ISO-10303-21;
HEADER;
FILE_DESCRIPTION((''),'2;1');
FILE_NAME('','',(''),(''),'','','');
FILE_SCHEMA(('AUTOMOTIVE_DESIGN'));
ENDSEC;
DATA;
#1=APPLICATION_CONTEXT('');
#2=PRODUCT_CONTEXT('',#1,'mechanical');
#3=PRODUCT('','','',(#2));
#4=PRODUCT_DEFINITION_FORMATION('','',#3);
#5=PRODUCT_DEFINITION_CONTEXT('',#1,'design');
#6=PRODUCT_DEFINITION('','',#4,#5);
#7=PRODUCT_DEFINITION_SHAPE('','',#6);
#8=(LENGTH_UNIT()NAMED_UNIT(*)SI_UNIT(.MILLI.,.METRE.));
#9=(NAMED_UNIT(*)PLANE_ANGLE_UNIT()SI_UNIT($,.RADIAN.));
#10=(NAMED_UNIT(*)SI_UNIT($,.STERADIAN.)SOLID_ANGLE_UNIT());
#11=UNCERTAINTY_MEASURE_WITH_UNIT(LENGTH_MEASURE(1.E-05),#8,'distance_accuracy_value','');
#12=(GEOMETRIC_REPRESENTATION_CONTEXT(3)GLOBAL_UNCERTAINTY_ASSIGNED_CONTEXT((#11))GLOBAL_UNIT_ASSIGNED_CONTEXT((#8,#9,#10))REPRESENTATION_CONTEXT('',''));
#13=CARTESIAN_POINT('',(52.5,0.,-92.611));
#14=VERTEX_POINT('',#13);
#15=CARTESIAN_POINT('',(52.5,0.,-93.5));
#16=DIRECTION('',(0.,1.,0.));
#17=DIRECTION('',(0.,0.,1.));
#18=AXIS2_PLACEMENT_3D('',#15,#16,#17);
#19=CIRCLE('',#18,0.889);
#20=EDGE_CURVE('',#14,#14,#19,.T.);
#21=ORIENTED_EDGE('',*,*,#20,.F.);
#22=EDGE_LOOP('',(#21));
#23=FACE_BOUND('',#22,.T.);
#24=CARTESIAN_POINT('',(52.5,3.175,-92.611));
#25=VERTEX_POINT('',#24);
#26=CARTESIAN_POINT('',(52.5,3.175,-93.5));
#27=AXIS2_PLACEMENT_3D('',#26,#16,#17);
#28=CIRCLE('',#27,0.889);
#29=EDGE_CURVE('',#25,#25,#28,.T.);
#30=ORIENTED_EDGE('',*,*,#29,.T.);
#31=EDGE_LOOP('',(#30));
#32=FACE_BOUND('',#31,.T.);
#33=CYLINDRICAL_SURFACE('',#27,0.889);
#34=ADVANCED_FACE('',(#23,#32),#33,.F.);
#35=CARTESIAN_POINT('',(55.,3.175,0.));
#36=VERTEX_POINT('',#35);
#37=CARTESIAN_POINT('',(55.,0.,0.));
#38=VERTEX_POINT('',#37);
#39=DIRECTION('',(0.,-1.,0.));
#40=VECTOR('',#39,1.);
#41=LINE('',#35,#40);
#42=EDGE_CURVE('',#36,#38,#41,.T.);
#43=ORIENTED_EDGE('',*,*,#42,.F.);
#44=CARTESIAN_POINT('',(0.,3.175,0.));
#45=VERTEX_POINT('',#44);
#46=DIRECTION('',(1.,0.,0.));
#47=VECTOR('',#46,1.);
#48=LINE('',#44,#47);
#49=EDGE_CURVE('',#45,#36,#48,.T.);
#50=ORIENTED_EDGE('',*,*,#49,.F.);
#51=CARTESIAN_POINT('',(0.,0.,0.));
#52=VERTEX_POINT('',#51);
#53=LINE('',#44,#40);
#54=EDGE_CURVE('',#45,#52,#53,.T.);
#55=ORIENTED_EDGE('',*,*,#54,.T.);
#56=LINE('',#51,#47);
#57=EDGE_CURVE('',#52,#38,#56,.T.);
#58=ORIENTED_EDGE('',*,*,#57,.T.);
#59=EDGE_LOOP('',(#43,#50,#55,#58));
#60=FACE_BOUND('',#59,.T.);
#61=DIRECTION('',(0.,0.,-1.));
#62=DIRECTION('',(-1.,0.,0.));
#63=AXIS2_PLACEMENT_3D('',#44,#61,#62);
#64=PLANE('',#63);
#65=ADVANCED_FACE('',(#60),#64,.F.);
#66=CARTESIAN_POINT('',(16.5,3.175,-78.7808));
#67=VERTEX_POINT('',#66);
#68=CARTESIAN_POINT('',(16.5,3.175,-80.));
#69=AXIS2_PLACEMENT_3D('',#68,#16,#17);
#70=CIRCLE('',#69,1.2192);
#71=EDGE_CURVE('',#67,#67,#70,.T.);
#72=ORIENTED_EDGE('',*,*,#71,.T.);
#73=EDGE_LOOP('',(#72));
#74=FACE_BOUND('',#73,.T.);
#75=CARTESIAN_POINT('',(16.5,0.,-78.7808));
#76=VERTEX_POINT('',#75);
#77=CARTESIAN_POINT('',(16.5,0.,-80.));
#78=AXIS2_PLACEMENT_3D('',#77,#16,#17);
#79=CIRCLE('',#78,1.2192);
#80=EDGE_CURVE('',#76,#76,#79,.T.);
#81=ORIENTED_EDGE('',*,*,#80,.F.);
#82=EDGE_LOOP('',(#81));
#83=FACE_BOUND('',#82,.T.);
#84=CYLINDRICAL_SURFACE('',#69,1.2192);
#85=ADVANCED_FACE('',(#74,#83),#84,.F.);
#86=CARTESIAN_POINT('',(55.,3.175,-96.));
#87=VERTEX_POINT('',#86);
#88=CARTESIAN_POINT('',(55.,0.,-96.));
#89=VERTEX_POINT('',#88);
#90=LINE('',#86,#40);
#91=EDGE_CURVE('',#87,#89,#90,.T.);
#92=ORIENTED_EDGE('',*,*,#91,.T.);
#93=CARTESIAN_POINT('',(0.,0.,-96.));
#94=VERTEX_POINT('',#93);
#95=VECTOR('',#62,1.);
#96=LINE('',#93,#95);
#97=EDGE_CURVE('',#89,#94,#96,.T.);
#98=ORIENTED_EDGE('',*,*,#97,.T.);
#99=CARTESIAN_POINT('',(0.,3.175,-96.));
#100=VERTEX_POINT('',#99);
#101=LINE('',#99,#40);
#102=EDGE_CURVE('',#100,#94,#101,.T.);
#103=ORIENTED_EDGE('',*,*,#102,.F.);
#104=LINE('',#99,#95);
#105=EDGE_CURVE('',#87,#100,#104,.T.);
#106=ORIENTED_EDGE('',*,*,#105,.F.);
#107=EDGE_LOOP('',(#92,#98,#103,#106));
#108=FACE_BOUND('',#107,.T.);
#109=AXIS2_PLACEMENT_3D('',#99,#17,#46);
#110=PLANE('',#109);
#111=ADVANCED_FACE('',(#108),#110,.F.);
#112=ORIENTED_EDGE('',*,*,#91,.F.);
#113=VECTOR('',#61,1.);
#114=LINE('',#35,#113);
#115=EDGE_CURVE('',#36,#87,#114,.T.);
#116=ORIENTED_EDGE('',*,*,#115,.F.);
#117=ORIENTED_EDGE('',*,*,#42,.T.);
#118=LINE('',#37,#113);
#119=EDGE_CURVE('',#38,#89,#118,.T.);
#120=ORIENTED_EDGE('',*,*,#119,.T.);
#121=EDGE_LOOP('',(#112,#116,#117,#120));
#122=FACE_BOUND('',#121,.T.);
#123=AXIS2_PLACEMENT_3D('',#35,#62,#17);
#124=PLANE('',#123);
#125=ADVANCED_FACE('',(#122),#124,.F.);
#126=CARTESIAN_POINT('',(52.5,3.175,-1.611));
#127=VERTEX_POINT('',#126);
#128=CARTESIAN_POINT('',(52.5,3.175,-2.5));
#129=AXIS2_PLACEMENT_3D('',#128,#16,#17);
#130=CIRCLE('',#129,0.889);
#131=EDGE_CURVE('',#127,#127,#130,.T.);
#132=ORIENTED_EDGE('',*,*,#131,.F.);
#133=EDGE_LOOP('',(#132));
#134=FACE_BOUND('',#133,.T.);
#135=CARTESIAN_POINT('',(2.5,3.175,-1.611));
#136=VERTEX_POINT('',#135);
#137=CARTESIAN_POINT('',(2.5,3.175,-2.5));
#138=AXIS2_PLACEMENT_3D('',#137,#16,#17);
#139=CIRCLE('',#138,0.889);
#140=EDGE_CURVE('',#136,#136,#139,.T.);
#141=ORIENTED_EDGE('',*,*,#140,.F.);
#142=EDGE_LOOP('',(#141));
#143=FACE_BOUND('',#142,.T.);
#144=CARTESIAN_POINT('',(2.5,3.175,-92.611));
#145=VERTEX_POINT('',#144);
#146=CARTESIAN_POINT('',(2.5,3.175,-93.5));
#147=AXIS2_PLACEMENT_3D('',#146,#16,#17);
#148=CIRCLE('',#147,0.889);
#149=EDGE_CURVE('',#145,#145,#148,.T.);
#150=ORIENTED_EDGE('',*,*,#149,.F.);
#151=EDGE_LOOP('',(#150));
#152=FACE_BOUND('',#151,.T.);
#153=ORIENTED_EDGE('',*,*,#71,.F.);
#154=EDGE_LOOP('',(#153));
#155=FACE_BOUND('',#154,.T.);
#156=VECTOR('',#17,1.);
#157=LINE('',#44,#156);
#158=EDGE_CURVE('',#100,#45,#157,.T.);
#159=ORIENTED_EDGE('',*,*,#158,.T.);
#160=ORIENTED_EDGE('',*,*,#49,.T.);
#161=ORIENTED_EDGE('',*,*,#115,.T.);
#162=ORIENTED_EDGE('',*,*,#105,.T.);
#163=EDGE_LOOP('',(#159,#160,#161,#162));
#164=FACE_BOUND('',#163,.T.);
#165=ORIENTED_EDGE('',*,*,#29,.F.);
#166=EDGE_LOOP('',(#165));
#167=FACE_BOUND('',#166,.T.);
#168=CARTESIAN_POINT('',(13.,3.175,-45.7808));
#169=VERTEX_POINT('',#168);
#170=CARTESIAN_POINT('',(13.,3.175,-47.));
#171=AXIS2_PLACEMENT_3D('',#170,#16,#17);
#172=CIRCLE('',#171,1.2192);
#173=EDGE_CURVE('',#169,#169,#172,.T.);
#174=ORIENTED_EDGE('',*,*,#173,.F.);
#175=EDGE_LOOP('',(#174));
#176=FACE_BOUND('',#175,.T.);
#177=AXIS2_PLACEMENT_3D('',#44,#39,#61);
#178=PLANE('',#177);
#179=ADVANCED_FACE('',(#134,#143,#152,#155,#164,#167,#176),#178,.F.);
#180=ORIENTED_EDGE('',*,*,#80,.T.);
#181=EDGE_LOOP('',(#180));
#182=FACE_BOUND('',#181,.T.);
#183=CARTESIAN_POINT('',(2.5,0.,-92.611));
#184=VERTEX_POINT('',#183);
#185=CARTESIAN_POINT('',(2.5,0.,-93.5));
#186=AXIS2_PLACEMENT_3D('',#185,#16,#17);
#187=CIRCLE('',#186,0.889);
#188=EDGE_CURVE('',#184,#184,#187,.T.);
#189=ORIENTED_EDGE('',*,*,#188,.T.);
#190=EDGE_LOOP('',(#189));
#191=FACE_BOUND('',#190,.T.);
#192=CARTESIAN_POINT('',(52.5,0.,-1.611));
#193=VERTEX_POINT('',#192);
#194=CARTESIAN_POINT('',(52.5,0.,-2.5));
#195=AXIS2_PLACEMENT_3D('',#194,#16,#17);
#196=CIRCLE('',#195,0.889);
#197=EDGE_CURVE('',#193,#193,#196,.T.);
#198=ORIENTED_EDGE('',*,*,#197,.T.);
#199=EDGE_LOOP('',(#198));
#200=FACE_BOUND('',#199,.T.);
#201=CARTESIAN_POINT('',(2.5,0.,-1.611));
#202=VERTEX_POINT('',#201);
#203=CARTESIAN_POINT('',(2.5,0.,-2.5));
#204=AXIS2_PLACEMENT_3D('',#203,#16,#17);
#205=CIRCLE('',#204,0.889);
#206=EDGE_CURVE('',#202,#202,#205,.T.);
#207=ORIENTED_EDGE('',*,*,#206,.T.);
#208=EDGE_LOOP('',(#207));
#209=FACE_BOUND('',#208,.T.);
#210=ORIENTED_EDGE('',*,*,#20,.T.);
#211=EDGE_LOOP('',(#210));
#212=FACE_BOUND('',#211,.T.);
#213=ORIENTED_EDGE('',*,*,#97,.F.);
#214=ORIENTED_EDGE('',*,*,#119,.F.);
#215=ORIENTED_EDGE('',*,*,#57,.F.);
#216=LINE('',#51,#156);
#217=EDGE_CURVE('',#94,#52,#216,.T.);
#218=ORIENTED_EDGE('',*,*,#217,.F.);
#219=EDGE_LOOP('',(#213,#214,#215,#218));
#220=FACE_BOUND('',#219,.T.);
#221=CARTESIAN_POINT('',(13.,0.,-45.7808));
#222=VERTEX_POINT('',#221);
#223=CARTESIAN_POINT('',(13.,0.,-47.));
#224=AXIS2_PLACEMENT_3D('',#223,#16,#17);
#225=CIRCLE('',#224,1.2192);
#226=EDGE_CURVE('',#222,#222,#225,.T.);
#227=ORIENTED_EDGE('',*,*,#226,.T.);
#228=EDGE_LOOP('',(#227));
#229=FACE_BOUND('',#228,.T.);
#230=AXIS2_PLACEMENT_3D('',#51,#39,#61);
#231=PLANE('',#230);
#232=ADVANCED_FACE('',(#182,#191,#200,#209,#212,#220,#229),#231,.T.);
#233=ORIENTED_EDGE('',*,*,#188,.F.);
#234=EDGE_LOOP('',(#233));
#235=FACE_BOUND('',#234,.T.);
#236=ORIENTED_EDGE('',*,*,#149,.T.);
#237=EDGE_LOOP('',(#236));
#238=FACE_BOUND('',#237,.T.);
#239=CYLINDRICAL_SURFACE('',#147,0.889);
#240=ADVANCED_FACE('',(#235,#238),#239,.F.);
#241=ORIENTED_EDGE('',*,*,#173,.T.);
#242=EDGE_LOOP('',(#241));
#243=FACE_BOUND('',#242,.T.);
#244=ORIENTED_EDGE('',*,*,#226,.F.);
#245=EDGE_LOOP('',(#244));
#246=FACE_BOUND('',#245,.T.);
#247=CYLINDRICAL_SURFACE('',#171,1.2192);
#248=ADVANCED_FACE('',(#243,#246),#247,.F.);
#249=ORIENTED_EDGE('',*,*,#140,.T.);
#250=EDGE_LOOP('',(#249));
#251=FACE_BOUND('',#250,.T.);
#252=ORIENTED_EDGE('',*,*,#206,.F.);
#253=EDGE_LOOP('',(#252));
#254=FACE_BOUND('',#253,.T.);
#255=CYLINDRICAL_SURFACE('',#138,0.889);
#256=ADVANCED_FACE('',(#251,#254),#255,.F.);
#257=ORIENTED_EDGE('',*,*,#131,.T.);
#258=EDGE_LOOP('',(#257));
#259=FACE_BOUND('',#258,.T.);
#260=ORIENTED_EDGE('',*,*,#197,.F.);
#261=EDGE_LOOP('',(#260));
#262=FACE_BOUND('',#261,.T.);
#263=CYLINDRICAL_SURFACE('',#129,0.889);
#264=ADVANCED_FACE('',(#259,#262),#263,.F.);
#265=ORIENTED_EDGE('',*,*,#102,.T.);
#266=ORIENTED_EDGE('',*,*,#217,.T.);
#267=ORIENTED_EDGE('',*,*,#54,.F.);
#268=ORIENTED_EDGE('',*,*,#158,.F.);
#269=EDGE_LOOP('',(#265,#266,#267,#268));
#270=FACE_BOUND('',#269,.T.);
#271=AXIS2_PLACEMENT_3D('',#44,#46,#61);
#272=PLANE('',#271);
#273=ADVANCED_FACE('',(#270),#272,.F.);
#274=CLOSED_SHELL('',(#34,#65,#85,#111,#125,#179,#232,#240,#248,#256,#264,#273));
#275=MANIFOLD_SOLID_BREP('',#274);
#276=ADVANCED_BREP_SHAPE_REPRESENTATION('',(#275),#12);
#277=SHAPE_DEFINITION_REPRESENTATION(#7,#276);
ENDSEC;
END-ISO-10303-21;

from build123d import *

# Parameters (mm, degrees)
SKETCH2_W             = 55
SKETCH2_H             = 96
BOSS_EXTRUDE1_DEPTH   = 3.175
F_2_CLEARANCE_HOLE1_D = 2.4384
F_0_CLEARANCE_HOLE1_D = 1.778


with BuildPart() as part:
    # Sketch2 → Boss-Extrude1 (new body)
    with BuildSketch(Plane(origin=(0, 0, 0), x_dir=(1, 0, 0), z_dir=(0, 1, 0))):
        with Locations((27.5, 48)):
            Rectangle(SKETCH2_W, SKETCH2_H)
    extrude(amount=BOSS_EXTRUDE1_DEPTH)

    # #2 Clearance Hole1 (through all)
    with Locations(Plane(origin=(0, 3.175, 0), x_dir=(1, 0, 0), z_dir=(0, 1, 0))):
        with Locations((16.5, 80), (13, 47)):
            Hole(F_2_CLEARANCE_HOLE1_D / 2)

    # #0 Clearance Hole1 (through all)
    with Locations(Plane(origin=(0, 3.175, 0), x_dir=(1, 0, 0), z_dir=(0, 1, 0))):
        with Locations((2.5, 2.5), (52.5, 2.5), (52.5, 93.5), (2.5, 93.5)):
            Hole(F_0_CLEARANCE_HOLE1_D / 2)


solid = part.part
